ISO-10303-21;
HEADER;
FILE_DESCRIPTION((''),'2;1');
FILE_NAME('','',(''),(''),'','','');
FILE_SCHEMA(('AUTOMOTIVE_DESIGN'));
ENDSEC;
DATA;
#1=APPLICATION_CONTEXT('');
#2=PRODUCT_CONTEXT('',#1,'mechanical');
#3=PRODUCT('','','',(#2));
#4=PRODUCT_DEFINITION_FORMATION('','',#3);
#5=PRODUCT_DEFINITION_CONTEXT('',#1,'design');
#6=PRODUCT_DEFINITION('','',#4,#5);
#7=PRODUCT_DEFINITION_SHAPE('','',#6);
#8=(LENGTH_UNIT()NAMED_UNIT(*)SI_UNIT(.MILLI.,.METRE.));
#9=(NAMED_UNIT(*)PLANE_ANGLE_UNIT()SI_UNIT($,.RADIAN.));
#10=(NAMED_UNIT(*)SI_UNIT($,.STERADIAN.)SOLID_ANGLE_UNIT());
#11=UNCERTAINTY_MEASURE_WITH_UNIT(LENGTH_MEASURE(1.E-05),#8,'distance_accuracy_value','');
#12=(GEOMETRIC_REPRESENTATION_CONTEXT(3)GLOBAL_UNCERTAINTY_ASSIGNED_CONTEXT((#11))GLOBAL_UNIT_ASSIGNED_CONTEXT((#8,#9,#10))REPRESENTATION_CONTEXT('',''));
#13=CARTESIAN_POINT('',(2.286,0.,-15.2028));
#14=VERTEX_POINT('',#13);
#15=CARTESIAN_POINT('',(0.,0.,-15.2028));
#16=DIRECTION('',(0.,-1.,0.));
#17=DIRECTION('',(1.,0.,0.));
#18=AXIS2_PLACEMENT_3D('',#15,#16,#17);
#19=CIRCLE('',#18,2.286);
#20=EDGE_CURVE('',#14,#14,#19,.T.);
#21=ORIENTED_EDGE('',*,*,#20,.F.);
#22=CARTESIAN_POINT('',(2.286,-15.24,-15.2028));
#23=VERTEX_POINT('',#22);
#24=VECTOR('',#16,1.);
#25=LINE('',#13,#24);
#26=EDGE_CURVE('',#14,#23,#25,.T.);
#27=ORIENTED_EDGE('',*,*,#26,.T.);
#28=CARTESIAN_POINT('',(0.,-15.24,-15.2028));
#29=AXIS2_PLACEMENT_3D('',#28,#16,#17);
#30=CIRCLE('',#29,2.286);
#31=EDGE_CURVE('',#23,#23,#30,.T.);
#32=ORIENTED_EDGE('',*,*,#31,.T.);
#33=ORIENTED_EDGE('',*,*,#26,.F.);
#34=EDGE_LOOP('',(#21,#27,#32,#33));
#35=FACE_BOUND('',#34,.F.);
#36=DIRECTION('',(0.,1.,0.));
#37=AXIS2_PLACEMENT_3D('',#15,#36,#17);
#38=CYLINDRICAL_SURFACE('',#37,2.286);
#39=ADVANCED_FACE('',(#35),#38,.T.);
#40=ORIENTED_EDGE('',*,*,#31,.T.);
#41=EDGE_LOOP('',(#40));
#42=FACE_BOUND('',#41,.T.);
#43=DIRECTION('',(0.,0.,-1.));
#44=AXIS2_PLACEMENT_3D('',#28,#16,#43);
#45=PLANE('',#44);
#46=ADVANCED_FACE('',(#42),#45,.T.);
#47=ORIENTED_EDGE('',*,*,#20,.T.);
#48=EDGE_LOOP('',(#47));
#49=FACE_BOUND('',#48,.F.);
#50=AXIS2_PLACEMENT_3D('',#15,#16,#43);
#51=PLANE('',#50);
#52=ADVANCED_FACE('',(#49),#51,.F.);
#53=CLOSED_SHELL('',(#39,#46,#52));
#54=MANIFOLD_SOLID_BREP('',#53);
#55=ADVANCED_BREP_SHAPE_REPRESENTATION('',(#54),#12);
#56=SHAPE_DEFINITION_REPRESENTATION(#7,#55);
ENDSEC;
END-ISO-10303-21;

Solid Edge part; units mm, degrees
sketch "Sketch1" plane through (0, 0, 0) normal (0, -1, 0) x (1, 0, 0)
  circle A0 centre (0, -15.2028) radius 2.286
extrude "Protrusion1" add sketch "Sketch1" along normal blind 15.24
